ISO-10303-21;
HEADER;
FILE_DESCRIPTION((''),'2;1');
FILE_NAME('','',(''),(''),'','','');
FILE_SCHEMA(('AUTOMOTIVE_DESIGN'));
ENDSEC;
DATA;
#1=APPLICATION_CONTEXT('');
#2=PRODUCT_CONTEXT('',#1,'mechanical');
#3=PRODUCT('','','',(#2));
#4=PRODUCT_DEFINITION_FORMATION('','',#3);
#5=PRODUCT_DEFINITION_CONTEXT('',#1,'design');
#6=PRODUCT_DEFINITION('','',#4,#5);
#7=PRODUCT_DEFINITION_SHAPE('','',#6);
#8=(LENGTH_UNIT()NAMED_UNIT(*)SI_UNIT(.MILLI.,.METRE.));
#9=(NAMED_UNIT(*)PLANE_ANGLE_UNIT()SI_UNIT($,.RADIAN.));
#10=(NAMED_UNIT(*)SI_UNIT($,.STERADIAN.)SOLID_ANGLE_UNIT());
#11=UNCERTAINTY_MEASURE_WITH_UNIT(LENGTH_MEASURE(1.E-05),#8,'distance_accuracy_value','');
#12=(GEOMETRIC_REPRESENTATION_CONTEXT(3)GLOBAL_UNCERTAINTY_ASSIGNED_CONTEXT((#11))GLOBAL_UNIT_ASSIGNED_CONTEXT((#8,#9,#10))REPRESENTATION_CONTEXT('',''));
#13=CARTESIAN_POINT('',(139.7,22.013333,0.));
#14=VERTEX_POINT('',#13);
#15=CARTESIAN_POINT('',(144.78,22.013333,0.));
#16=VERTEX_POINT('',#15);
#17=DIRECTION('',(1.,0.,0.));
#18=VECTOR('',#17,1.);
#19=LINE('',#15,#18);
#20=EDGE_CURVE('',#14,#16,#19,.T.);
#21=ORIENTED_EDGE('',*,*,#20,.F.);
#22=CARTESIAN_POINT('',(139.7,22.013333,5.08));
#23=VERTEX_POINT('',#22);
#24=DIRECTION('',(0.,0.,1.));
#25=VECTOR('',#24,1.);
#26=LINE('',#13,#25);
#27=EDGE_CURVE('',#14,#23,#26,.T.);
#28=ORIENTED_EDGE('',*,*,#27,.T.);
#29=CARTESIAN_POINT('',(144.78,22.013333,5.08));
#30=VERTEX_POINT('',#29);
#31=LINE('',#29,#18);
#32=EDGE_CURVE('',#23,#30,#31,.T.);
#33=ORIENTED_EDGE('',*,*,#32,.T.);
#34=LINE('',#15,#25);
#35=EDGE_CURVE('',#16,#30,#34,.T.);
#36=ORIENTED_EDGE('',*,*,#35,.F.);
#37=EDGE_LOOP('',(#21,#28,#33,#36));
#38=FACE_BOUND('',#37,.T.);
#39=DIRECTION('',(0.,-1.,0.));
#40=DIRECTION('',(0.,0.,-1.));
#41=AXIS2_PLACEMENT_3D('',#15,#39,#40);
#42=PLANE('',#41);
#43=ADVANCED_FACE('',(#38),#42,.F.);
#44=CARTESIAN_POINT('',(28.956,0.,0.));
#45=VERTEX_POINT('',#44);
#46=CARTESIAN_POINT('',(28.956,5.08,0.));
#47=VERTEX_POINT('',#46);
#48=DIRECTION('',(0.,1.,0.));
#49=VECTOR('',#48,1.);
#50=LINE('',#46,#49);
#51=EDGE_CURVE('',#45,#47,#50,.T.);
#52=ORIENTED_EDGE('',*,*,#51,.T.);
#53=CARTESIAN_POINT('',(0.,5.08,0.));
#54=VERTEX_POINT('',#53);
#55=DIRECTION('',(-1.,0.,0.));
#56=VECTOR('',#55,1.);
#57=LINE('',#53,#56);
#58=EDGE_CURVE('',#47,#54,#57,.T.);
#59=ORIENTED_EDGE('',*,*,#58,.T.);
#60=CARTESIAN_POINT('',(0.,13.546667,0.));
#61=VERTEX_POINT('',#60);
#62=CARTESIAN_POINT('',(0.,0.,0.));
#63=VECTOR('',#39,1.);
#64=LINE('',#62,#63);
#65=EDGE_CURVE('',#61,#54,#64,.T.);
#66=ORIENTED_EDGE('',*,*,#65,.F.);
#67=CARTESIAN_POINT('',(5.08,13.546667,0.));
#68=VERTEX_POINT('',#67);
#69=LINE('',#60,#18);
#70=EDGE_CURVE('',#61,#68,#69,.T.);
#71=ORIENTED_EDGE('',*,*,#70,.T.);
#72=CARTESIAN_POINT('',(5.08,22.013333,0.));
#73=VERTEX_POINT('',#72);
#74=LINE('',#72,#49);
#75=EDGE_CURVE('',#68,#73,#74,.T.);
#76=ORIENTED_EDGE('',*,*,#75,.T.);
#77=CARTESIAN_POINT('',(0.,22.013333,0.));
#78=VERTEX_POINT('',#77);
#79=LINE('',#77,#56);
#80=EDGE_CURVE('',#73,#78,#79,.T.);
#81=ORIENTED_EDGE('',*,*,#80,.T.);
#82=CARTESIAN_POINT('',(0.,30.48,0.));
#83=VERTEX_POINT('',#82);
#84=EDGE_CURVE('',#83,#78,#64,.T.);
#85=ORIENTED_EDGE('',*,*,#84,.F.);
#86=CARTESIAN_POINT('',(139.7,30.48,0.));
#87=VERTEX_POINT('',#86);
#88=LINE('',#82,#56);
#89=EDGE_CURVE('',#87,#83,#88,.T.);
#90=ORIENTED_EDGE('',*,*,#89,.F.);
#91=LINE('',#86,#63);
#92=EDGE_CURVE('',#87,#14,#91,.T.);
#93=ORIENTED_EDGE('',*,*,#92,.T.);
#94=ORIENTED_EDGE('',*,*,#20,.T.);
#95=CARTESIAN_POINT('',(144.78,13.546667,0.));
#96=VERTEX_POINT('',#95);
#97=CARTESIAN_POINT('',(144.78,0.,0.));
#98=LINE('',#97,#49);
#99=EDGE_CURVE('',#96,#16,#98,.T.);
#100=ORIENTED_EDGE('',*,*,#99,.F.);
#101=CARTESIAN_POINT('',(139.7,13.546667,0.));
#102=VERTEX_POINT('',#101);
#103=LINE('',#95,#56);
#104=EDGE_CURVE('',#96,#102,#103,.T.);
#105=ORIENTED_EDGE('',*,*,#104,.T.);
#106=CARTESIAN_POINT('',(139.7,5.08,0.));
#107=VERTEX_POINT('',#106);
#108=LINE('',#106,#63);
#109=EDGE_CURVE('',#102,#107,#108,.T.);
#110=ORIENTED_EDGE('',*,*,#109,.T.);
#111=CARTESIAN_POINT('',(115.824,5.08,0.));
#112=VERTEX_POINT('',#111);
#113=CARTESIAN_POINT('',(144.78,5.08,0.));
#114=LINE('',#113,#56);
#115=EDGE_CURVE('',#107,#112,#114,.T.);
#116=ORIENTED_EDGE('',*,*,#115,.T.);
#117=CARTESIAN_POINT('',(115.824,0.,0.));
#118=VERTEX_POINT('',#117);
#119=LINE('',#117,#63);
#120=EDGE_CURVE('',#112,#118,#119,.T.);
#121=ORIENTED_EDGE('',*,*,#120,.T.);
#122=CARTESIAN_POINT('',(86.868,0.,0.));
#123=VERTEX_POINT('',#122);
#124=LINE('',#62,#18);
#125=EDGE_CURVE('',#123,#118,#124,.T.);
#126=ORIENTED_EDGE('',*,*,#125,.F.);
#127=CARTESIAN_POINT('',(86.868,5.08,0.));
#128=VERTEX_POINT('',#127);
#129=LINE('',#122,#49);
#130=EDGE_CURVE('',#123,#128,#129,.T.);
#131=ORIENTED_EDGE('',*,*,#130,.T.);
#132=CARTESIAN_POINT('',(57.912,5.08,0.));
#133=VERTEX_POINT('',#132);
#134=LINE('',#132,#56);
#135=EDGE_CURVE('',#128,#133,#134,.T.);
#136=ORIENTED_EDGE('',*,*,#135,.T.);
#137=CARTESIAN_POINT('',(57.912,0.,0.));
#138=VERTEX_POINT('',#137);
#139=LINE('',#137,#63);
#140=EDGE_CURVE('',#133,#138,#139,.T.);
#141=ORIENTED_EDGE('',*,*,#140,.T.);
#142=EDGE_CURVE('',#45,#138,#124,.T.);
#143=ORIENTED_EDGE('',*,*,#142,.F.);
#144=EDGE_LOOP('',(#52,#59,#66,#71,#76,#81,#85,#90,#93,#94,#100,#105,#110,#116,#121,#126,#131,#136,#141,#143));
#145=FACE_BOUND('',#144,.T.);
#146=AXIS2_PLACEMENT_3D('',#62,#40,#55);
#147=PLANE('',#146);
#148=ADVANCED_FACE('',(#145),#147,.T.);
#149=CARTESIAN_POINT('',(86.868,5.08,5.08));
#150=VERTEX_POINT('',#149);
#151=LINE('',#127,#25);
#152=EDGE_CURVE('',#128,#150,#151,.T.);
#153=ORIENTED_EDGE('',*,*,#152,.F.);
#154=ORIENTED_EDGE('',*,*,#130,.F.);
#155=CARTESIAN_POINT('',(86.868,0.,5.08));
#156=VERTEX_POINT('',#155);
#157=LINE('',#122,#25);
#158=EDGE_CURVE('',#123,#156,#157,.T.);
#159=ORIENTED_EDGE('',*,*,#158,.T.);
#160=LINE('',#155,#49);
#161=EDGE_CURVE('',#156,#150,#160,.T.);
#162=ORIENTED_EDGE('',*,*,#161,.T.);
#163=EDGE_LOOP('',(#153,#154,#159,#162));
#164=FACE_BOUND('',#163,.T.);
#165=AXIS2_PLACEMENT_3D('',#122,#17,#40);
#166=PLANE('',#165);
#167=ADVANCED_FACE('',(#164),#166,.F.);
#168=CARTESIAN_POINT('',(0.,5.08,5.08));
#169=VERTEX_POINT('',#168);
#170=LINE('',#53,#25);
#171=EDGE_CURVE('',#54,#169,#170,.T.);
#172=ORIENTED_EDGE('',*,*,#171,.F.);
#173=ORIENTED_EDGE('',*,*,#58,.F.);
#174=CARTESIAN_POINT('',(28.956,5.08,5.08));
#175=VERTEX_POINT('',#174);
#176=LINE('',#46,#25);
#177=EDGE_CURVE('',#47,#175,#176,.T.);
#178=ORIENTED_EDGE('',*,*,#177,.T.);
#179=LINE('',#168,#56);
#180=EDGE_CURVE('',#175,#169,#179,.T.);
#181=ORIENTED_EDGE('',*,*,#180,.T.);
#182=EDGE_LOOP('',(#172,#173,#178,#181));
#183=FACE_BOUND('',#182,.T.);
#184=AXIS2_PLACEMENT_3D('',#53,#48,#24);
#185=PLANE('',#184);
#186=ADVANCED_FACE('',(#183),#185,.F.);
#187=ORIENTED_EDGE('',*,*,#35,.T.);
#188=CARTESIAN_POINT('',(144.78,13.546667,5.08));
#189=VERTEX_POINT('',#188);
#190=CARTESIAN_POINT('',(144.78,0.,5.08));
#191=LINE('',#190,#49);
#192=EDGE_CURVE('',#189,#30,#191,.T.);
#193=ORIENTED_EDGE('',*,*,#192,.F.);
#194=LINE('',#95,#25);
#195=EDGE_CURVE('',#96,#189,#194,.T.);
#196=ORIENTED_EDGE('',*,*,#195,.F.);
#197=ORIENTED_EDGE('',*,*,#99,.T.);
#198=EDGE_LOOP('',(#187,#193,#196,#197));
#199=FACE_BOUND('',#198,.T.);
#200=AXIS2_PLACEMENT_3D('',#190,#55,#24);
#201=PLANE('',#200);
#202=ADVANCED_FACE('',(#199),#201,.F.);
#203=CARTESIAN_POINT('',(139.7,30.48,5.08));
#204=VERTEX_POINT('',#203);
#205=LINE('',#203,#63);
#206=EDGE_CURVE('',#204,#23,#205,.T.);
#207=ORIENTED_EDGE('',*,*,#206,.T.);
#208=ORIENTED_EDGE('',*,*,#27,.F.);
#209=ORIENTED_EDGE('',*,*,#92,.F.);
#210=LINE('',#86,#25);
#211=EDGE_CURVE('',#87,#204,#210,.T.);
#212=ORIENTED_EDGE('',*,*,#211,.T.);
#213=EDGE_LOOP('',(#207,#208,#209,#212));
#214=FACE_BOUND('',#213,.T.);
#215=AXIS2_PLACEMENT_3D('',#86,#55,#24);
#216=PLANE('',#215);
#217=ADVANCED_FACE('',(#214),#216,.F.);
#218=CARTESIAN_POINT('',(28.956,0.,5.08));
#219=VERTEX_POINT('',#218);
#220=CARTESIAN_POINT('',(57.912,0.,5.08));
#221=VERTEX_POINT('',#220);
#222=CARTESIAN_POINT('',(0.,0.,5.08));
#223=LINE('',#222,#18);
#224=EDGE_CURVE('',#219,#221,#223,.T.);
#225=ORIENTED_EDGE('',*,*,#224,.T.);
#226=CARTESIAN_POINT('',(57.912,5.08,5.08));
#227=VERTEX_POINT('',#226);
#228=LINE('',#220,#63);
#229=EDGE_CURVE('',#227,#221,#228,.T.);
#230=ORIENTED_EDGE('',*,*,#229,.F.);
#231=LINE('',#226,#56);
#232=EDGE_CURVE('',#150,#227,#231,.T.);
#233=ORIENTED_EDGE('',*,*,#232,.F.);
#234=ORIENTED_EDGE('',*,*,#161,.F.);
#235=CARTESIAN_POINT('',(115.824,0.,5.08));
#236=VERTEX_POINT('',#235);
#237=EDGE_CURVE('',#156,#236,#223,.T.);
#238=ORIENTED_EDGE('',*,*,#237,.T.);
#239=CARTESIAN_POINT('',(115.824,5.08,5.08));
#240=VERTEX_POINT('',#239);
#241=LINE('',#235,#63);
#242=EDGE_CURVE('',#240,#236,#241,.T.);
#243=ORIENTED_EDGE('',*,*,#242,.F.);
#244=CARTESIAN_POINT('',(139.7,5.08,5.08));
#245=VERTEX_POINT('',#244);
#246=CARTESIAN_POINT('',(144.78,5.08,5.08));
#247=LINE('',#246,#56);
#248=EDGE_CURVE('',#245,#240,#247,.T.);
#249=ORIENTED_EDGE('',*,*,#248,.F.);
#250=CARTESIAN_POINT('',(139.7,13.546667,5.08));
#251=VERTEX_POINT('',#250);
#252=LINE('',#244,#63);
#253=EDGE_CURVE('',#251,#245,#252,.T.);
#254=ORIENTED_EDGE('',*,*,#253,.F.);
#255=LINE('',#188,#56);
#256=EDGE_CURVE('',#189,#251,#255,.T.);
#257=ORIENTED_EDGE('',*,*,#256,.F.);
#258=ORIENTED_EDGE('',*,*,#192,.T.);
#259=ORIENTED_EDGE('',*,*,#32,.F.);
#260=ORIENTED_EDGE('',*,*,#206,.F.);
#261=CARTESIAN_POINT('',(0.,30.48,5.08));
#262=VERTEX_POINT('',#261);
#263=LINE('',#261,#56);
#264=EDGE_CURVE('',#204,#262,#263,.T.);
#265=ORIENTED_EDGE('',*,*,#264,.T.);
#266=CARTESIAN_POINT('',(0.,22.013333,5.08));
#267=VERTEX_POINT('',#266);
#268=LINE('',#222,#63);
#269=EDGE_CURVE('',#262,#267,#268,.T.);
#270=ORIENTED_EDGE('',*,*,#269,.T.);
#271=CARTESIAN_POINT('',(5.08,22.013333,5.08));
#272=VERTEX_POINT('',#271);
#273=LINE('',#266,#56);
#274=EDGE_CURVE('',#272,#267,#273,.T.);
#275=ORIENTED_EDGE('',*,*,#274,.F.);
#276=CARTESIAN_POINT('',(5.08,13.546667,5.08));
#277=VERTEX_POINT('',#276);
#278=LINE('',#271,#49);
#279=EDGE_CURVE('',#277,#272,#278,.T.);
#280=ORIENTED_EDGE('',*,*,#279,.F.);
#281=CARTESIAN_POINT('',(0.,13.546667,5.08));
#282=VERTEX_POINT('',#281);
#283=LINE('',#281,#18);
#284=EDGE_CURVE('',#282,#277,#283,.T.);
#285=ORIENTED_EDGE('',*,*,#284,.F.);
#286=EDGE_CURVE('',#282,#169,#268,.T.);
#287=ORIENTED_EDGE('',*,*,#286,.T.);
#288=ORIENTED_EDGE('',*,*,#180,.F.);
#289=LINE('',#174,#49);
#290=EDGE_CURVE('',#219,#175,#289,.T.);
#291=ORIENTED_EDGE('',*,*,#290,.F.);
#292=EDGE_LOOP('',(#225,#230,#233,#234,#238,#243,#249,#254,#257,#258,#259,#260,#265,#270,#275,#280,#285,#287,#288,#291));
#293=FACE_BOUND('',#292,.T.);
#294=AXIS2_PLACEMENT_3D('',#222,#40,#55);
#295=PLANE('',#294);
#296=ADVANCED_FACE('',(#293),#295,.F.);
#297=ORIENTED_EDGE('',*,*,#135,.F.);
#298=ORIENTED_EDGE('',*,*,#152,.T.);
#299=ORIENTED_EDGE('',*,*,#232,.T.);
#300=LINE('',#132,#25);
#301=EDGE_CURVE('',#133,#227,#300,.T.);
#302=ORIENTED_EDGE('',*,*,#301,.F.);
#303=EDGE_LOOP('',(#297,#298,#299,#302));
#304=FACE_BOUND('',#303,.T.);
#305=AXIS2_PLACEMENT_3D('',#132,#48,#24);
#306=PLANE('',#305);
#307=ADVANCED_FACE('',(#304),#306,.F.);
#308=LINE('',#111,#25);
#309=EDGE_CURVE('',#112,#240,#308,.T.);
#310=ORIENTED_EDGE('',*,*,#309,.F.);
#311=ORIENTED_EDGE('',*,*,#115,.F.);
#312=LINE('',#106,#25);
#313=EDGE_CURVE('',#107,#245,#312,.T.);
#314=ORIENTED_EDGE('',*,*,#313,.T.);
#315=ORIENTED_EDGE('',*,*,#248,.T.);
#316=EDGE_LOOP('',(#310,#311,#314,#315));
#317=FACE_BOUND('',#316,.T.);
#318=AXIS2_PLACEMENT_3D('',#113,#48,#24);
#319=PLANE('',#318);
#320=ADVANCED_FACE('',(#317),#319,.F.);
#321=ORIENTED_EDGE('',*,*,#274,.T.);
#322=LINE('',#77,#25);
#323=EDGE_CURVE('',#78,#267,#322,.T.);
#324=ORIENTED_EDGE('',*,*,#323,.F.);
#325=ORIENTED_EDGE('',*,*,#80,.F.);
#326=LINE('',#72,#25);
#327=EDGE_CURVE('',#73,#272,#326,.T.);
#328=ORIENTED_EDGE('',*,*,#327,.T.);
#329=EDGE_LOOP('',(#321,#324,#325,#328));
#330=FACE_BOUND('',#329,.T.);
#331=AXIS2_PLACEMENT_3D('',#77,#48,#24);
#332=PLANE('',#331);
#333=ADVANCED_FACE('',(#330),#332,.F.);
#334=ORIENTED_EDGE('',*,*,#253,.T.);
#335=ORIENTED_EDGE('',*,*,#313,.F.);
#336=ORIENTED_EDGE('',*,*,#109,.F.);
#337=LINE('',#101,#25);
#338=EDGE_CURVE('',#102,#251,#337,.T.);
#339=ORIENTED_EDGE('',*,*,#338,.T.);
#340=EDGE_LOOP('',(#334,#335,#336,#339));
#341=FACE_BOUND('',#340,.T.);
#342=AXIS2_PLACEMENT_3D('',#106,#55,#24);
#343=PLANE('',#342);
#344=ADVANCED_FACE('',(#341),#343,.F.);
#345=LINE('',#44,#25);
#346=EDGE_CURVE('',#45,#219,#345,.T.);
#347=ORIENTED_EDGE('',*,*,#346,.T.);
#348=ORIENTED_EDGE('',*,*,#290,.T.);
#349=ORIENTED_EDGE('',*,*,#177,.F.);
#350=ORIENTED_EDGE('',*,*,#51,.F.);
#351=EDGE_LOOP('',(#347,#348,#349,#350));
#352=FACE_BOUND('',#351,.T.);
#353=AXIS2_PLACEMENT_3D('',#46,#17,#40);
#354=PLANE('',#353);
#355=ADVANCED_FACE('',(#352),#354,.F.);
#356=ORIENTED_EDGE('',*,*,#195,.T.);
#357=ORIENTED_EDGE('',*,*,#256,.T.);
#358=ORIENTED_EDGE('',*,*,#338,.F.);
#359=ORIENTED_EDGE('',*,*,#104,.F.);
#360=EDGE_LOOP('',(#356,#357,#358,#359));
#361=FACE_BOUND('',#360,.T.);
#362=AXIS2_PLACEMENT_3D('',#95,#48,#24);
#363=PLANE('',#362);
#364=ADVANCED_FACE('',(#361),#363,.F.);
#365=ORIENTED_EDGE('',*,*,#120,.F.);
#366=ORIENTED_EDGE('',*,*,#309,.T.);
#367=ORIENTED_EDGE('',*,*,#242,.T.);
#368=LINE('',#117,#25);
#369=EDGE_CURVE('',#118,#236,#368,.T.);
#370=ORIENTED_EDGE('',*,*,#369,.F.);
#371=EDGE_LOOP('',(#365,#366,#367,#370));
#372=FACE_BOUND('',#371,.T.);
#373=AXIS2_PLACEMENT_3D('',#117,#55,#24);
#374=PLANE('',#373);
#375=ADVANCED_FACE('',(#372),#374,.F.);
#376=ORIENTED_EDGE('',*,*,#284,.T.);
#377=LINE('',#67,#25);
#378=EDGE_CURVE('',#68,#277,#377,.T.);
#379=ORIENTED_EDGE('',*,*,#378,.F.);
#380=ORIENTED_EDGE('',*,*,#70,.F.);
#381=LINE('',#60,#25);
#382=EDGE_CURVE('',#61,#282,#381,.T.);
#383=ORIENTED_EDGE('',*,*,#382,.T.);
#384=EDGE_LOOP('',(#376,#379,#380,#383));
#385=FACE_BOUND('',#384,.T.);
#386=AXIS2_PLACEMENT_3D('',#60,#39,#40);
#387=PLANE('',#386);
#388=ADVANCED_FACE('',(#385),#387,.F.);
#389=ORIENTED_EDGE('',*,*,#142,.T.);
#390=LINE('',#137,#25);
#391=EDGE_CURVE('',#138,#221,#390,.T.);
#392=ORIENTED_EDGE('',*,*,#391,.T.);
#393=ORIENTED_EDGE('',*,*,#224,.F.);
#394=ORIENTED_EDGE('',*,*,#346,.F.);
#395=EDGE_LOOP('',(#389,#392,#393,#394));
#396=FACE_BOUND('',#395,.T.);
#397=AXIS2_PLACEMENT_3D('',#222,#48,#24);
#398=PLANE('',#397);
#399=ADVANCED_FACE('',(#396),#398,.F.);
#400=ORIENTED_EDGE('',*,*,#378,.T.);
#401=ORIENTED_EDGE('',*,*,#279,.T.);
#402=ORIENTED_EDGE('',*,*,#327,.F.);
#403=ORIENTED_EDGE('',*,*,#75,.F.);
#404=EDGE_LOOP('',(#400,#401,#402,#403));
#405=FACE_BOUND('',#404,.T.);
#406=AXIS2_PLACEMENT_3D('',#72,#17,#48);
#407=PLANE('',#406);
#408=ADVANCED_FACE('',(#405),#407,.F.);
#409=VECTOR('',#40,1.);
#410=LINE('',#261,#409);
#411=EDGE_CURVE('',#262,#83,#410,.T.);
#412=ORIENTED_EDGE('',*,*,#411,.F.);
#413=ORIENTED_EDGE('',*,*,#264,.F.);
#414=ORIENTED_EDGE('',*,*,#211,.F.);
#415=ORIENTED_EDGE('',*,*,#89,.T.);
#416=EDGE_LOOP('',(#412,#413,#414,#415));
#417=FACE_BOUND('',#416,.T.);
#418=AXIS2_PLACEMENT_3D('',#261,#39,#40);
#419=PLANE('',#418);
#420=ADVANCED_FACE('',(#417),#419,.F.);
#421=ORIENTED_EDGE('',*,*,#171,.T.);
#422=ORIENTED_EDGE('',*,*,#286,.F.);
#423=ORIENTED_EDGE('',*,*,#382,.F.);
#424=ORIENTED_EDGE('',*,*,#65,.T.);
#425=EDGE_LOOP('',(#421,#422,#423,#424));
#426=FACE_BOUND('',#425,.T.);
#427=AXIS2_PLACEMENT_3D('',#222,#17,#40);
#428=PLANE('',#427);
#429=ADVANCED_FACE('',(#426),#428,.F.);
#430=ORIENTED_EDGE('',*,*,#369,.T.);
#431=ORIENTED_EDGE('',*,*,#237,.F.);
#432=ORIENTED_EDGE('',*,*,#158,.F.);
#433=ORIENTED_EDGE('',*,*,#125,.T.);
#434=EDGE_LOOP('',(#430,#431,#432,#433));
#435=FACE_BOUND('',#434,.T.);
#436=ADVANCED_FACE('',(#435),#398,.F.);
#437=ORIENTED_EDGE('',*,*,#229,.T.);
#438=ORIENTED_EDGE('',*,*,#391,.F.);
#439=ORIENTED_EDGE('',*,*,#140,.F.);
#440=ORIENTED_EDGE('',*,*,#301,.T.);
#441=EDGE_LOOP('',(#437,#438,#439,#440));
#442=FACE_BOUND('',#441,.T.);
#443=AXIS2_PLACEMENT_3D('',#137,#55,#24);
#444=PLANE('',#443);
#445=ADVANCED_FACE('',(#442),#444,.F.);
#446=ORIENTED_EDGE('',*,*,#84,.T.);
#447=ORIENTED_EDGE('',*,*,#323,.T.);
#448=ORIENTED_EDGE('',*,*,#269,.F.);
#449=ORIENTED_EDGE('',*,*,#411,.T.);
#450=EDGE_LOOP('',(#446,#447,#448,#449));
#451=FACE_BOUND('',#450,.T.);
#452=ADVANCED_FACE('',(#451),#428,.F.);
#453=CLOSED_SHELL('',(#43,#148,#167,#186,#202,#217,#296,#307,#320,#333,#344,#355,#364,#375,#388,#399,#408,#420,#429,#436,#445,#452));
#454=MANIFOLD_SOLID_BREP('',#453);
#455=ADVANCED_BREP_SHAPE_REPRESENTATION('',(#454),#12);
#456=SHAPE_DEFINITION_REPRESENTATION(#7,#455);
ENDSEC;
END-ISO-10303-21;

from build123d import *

# Parameters (mm, degrees)
SKETCH1_W           = 144.78
SKETCH1_H           = 30.48
BOSS_EXTRUDE1_DEPTH = 5.08
SKETCH2_W           = 28.956
SKETCH2_H           = 5.08
CUT_EXTRUDE1_DEPTH  = 149.040822748
SKETCH3_W           = 5.08
SKETCH3_H           = 8.466666666
SKETCH3_H_2         = 8.466666667
CUT_EXTRUDE2_DEPTH  = 149.040822748


with BuildPart() as part:
    # Sketch1 → Boss-Extrude1 (new body)
    with BuildSketch(Plane.XY):
        with Locations((72.39, 15.24)):
            Rectangle(SKETCH1_W, SKETCH1_H)
    extrude(amount=BOSS_EXTRUDE1_DEPTH)

    # Sketch2 → Cut-Extrude1 (cut, through all)
    with BuildSketch(Plane.XY.offset(5.08)):
        with Locations((14.478, 2.54)):
            Rectangle(SKETCH2_W, SKETCH2_H)
        with Locations((72.39, 2.54)):
            Rectangle(SKETCH2_W, SKETCH2_H)
        with Locations((130.302, 2.54)):
            Rectangle(SKETCH2_W, SKETCH2_H)
    extrude(amount=-CUT_EXTRUDE1_DEPTH, mode=Mode.SUBTRACT)

    # Sketch3 → Cut-Extrude2 (cut, through all)
    with BuildSketch(Plane.XY.offset(5.08)):
        with Locations((2.54, 17.78)):
            Rectangle(SKETCH3_W, SKETCH3_H)
        with Locations((142.24, 26.246666667)):
            Rectangle(SKETCH3_W, SKETCH3_H_2)
        with Locations((142.24, 9.313333334)):
            Rectangle(SKETCH3_W, SKETCH3_H_2)
    extrude(amount=-CUT_EXTRUDE2_DEPTH, mode=Mode.SUBTRACT)


solid = part.part
